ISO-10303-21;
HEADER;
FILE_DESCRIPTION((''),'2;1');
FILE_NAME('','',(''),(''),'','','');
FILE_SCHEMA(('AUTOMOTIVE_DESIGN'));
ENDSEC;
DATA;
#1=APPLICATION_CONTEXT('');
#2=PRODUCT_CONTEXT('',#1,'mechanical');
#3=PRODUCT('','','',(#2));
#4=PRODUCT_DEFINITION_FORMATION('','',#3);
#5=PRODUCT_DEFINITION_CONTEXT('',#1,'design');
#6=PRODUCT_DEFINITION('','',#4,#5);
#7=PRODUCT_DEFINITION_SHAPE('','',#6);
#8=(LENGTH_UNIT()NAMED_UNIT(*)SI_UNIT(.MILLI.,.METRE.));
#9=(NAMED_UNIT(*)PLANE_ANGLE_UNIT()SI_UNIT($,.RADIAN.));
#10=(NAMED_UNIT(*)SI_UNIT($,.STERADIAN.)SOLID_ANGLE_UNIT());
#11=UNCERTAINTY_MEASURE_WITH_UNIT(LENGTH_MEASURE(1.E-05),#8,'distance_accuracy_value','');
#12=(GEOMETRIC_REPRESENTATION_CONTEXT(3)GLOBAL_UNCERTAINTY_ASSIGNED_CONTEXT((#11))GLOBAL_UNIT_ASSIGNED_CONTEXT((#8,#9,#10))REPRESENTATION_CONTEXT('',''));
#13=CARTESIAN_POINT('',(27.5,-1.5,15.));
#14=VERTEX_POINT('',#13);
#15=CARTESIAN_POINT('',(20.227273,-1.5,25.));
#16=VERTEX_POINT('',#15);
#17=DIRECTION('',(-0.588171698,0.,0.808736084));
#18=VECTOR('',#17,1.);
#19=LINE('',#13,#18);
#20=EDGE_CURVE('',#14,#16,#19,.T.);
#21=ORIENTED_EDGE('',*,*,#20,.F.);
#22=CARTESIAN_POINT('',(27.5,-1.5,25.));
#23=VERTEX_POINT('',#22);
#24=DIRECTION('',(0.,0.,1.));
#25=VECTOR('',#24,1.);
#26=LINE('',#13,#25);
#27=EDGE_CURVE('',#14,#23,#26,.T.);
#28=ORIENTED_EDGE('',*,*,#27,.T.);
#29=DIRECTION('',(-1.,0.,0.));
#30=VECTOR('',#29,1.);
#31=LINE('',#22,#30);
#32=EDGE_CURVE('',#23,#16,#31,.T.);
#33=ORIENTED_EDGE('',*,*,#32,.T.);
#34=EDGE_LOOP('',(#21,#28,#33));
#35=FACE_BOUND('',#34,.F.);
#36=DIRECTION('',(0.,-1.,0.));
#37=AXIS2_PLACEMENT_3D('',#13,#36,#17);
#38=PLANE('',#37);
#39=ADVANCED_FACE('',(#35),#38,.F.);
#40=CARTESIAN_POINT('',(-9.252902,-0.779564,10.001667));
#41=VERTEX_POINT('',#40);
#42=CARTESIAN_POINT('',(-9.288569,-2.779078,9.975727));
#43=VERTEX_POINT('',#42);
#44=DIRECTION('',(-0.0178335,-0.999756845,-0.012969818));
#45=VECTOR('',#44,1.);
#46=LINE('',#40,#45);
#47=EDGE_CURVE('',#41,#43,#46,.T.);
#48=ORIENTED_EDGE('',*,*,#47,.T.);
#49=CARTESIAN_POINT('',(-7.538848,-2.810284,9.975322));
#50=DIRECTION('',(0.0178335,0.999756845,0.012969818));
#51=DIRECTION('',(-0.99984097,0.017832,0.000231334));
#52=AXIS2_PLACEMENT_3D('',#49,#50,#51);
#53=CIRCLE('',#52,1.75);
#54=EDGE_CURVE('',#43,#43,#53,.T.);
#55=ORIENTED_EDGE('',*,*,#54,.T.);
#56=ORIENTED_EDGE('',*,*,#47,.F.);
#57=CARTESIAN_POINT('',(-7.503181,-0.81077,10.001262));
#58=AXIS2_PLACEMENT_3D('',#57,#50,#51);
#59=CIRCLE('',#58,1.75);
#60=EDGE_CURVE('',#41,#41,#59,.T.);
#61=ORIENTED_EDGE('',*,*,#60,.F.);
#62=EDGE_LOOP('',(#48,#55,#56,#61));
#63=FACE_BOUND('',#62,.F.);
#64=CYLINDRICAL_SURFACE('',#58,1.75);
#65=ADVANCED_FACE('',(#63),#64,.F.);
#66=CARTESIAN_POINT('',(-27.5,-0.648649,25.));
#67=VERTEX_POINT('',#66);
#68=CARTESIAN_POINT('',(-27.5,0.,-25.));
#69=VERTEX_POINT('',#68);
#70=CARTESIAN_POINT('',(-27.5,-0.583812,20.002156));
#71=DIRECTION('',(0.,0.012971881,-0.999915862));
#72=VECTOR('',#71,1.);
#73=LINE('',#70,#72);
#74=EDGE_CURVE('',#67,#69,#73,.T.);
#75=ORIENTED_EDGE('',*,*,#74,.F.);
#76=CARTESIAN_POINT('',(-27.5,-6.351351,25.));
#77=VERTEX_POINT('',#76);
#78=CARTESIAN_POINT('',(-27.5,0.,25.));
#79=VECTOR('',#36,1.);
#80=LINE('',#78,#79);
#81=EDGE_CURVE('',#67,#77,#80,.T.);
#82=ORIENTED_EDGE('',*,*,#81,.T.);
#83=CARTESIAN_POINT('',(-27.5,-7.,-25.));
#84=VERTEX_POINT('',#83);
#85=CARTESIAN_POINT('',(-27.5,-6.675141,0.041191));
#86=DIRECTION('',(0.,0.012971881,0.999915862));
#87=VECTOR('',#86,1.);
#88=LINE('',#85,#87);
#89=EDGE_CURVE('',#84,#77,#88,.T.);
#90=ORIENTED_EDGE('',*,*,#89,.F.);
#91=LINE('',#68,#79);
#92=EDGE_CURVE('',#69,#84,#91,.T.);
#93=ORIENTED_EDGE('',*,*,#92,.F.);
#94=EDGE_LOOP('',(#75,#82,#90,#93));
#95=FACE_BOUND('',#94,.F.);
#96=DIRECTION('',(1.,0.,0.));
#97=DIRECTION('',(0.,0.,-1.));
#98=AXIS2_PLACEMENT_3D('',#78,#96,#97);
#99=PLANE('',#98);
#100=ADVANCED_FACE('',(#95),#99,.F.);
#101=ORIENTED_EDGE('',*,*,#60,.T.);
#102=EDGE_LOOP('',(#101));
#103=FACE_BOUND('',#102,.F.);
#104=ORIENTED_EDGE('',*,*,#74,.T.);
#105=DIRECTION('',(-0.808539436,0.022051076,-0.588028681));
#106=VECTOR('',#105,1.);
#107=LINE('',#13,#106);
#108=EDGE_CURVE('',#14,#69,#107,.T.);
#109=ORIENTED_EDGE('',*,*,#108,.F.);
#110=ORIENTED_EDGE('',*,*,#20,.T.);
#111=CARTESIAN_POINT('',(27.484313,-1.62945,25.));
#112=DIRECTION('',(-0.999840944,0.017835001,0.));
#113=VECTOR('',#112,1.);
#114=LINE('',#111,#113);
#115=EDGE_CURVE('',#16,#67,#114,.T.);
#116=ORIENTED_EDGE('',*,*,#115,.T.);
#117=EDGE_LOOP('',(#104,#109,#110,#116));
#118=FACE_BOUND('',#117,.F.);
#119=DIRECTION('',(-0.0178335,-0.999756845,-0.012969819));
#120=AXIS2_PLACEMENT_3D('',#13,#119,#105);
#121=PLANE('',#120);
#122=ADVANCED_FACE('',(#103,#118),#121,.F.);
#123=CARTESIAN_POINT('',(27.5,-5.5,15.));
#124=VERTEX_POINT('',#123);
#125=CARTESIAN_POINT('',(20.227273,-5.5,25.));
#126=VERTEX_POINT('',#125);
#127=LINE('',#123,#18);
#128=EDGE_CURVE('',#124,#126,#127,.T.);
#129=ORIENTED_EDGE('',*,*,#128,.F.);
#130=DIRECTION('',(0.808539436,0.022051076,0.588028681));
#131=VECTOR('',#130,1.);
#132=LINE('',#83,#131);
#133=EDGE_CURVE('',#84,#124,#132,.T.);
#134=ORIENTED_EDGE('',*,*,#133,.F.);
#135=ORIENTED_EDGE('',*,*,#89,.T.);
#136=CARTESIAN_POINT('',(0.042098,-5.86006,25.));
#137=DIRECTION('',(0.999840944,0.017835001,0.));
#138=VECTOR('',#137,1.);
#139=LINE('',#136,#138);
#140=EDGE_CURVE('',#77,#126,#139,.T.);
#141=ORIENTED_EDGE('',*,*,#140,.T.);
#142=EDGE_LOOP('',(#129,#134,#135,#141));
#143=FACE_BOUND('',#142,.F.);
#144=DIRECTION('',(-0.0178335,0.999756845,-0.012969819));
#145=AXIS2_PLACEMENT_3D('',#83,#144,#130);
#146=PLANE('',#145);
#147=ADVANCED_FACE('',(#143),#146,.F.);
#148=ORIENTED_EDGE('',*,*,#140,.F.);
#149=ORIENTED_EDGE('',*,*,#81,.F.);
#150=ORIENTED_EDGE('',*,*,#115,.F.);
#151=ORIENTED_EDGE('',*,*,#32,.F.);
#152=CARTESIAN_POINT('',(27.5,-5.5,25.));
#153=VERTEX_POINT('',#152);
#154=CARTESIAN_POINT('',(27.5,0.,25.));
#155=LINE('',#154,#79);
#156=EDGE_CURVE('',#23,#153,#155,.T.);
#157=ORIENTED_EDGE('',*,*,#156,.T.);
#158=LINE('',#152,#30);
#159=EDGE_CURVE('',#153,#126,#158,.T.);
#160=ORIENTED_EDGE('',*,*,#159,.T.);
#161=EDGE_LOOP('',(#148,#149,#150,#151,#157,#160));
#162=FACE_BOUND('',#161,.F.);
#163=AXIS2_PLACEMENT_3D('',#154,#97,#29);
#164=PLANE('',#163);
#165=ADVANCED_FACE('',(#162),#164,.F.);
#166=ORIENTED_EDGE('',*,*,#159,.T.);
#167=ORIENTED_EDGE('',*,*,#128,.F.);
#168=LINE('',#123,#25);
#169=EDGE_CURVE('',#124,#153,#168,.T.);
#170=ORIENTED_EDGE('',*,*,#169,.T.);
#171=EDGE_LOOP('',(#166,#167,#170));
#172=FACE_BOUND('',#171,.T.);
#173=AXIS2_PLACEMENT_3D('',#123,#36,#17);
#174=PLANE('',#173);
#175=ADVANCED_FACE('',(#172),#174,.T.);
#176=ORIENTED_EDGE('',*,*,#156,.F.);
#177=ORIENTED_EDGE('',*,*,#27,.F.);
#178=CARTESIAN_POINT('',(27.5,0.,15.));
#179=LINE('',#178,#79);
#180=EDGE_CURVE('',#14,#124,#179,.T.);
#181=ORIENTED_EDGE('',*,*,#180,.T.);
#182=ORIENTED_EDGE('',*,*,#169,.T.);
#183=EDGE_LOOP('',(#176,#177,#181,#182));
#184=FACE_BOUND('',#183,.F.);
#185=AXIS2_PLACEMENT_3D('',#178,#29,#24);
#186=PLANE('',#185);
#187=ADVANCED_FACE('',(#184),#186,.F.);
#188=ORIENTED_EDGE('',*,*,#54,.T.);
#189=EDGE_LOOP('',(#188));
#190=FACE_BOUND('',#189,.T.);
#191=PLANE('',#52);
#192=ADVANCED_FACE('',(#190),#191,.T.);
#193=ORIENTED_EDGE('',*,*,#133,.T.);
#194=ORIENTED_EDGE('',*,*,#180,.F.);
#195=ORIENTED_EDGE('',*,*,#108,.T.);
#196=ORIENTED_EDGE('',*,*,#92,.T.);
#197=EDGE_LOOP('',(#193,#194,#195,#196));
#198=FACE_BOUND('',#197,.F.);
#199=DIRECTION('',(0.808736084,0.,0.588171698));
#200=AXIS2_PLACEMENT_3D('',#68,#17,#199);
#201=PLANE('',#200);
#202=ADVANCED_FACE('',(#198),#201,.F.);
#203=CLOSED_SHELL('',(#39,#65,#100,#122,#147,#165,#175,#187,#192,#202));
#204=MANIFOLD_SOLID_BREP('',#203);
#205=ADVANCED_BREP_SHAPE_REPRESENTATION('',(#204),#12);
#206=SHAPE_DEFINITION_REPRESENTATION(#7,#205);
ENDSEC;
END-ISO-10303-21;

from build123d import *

# Parameters (mm, degrees)
F1_DEPTH = 7
F3_DEPTH = 40.4378042152
F4_DEPTH = 5.8827169768
F5_R     = 1.75
F6_DEPTH = 2


with BuildPart() as f1:
    # F0 (on Front) → F1 (new body)
    with BuildSketch(Plane.XZ):
        Polygon((27.5, 15), (27.5, 25), (-27.5, 25), (-27.5, -25), align=None)
    extrude(amount=F1_DEPTH)

    # F2 (on face) → F3 (cut, through all)
    with BuildSketch(Plane(origin=(2.3783783784, 0, -3.2702702703), x_dir=(0.8087360843, 0, 0.5881716977), z_dir=(0.5881716977, 0, -0.8087360843))):
        Polygon((31.0628177835, 7), (-36.9445347602, 7), (31.0628177835, 5.5), align=None)
        Polygon((31.0628177835, 1.5), (-36.9445347602, 0), (31.0628177835, 0), align=None)
    extrude(amount=-F3_DEPTH, mode=Mode.SUBTRACT)

    # F4 (cut, through all): faces of the model
    f4_faces = [f1.faces().sort_by_distance(p)[0] for p in [
        (23.8636363636, -6.25, 20),
        (23.8636363636, -0.75, 20),
    ]]
    extrude(f4_faces, amount=-F4_DEPTH, mode=Mode.SUBTRACT)

    # F5 (on face) → F6 (cut)
    with BuildSketch(Plane(origin=(-0.0145283595, -0.8144686369, -0.0105660796), x_dir=(-0.9998409705, 0.017832, 0.0002313341), z_dir=(0.0178335005, 0.9997568455, 0.0129698185))):
        with Locations((7.489843337, 10.0109374025)):
            Circle(F5_R)
    extrude(amount=-F6_DEPTH, mode=Mode.SUBTRACT)


solid = f1.part
